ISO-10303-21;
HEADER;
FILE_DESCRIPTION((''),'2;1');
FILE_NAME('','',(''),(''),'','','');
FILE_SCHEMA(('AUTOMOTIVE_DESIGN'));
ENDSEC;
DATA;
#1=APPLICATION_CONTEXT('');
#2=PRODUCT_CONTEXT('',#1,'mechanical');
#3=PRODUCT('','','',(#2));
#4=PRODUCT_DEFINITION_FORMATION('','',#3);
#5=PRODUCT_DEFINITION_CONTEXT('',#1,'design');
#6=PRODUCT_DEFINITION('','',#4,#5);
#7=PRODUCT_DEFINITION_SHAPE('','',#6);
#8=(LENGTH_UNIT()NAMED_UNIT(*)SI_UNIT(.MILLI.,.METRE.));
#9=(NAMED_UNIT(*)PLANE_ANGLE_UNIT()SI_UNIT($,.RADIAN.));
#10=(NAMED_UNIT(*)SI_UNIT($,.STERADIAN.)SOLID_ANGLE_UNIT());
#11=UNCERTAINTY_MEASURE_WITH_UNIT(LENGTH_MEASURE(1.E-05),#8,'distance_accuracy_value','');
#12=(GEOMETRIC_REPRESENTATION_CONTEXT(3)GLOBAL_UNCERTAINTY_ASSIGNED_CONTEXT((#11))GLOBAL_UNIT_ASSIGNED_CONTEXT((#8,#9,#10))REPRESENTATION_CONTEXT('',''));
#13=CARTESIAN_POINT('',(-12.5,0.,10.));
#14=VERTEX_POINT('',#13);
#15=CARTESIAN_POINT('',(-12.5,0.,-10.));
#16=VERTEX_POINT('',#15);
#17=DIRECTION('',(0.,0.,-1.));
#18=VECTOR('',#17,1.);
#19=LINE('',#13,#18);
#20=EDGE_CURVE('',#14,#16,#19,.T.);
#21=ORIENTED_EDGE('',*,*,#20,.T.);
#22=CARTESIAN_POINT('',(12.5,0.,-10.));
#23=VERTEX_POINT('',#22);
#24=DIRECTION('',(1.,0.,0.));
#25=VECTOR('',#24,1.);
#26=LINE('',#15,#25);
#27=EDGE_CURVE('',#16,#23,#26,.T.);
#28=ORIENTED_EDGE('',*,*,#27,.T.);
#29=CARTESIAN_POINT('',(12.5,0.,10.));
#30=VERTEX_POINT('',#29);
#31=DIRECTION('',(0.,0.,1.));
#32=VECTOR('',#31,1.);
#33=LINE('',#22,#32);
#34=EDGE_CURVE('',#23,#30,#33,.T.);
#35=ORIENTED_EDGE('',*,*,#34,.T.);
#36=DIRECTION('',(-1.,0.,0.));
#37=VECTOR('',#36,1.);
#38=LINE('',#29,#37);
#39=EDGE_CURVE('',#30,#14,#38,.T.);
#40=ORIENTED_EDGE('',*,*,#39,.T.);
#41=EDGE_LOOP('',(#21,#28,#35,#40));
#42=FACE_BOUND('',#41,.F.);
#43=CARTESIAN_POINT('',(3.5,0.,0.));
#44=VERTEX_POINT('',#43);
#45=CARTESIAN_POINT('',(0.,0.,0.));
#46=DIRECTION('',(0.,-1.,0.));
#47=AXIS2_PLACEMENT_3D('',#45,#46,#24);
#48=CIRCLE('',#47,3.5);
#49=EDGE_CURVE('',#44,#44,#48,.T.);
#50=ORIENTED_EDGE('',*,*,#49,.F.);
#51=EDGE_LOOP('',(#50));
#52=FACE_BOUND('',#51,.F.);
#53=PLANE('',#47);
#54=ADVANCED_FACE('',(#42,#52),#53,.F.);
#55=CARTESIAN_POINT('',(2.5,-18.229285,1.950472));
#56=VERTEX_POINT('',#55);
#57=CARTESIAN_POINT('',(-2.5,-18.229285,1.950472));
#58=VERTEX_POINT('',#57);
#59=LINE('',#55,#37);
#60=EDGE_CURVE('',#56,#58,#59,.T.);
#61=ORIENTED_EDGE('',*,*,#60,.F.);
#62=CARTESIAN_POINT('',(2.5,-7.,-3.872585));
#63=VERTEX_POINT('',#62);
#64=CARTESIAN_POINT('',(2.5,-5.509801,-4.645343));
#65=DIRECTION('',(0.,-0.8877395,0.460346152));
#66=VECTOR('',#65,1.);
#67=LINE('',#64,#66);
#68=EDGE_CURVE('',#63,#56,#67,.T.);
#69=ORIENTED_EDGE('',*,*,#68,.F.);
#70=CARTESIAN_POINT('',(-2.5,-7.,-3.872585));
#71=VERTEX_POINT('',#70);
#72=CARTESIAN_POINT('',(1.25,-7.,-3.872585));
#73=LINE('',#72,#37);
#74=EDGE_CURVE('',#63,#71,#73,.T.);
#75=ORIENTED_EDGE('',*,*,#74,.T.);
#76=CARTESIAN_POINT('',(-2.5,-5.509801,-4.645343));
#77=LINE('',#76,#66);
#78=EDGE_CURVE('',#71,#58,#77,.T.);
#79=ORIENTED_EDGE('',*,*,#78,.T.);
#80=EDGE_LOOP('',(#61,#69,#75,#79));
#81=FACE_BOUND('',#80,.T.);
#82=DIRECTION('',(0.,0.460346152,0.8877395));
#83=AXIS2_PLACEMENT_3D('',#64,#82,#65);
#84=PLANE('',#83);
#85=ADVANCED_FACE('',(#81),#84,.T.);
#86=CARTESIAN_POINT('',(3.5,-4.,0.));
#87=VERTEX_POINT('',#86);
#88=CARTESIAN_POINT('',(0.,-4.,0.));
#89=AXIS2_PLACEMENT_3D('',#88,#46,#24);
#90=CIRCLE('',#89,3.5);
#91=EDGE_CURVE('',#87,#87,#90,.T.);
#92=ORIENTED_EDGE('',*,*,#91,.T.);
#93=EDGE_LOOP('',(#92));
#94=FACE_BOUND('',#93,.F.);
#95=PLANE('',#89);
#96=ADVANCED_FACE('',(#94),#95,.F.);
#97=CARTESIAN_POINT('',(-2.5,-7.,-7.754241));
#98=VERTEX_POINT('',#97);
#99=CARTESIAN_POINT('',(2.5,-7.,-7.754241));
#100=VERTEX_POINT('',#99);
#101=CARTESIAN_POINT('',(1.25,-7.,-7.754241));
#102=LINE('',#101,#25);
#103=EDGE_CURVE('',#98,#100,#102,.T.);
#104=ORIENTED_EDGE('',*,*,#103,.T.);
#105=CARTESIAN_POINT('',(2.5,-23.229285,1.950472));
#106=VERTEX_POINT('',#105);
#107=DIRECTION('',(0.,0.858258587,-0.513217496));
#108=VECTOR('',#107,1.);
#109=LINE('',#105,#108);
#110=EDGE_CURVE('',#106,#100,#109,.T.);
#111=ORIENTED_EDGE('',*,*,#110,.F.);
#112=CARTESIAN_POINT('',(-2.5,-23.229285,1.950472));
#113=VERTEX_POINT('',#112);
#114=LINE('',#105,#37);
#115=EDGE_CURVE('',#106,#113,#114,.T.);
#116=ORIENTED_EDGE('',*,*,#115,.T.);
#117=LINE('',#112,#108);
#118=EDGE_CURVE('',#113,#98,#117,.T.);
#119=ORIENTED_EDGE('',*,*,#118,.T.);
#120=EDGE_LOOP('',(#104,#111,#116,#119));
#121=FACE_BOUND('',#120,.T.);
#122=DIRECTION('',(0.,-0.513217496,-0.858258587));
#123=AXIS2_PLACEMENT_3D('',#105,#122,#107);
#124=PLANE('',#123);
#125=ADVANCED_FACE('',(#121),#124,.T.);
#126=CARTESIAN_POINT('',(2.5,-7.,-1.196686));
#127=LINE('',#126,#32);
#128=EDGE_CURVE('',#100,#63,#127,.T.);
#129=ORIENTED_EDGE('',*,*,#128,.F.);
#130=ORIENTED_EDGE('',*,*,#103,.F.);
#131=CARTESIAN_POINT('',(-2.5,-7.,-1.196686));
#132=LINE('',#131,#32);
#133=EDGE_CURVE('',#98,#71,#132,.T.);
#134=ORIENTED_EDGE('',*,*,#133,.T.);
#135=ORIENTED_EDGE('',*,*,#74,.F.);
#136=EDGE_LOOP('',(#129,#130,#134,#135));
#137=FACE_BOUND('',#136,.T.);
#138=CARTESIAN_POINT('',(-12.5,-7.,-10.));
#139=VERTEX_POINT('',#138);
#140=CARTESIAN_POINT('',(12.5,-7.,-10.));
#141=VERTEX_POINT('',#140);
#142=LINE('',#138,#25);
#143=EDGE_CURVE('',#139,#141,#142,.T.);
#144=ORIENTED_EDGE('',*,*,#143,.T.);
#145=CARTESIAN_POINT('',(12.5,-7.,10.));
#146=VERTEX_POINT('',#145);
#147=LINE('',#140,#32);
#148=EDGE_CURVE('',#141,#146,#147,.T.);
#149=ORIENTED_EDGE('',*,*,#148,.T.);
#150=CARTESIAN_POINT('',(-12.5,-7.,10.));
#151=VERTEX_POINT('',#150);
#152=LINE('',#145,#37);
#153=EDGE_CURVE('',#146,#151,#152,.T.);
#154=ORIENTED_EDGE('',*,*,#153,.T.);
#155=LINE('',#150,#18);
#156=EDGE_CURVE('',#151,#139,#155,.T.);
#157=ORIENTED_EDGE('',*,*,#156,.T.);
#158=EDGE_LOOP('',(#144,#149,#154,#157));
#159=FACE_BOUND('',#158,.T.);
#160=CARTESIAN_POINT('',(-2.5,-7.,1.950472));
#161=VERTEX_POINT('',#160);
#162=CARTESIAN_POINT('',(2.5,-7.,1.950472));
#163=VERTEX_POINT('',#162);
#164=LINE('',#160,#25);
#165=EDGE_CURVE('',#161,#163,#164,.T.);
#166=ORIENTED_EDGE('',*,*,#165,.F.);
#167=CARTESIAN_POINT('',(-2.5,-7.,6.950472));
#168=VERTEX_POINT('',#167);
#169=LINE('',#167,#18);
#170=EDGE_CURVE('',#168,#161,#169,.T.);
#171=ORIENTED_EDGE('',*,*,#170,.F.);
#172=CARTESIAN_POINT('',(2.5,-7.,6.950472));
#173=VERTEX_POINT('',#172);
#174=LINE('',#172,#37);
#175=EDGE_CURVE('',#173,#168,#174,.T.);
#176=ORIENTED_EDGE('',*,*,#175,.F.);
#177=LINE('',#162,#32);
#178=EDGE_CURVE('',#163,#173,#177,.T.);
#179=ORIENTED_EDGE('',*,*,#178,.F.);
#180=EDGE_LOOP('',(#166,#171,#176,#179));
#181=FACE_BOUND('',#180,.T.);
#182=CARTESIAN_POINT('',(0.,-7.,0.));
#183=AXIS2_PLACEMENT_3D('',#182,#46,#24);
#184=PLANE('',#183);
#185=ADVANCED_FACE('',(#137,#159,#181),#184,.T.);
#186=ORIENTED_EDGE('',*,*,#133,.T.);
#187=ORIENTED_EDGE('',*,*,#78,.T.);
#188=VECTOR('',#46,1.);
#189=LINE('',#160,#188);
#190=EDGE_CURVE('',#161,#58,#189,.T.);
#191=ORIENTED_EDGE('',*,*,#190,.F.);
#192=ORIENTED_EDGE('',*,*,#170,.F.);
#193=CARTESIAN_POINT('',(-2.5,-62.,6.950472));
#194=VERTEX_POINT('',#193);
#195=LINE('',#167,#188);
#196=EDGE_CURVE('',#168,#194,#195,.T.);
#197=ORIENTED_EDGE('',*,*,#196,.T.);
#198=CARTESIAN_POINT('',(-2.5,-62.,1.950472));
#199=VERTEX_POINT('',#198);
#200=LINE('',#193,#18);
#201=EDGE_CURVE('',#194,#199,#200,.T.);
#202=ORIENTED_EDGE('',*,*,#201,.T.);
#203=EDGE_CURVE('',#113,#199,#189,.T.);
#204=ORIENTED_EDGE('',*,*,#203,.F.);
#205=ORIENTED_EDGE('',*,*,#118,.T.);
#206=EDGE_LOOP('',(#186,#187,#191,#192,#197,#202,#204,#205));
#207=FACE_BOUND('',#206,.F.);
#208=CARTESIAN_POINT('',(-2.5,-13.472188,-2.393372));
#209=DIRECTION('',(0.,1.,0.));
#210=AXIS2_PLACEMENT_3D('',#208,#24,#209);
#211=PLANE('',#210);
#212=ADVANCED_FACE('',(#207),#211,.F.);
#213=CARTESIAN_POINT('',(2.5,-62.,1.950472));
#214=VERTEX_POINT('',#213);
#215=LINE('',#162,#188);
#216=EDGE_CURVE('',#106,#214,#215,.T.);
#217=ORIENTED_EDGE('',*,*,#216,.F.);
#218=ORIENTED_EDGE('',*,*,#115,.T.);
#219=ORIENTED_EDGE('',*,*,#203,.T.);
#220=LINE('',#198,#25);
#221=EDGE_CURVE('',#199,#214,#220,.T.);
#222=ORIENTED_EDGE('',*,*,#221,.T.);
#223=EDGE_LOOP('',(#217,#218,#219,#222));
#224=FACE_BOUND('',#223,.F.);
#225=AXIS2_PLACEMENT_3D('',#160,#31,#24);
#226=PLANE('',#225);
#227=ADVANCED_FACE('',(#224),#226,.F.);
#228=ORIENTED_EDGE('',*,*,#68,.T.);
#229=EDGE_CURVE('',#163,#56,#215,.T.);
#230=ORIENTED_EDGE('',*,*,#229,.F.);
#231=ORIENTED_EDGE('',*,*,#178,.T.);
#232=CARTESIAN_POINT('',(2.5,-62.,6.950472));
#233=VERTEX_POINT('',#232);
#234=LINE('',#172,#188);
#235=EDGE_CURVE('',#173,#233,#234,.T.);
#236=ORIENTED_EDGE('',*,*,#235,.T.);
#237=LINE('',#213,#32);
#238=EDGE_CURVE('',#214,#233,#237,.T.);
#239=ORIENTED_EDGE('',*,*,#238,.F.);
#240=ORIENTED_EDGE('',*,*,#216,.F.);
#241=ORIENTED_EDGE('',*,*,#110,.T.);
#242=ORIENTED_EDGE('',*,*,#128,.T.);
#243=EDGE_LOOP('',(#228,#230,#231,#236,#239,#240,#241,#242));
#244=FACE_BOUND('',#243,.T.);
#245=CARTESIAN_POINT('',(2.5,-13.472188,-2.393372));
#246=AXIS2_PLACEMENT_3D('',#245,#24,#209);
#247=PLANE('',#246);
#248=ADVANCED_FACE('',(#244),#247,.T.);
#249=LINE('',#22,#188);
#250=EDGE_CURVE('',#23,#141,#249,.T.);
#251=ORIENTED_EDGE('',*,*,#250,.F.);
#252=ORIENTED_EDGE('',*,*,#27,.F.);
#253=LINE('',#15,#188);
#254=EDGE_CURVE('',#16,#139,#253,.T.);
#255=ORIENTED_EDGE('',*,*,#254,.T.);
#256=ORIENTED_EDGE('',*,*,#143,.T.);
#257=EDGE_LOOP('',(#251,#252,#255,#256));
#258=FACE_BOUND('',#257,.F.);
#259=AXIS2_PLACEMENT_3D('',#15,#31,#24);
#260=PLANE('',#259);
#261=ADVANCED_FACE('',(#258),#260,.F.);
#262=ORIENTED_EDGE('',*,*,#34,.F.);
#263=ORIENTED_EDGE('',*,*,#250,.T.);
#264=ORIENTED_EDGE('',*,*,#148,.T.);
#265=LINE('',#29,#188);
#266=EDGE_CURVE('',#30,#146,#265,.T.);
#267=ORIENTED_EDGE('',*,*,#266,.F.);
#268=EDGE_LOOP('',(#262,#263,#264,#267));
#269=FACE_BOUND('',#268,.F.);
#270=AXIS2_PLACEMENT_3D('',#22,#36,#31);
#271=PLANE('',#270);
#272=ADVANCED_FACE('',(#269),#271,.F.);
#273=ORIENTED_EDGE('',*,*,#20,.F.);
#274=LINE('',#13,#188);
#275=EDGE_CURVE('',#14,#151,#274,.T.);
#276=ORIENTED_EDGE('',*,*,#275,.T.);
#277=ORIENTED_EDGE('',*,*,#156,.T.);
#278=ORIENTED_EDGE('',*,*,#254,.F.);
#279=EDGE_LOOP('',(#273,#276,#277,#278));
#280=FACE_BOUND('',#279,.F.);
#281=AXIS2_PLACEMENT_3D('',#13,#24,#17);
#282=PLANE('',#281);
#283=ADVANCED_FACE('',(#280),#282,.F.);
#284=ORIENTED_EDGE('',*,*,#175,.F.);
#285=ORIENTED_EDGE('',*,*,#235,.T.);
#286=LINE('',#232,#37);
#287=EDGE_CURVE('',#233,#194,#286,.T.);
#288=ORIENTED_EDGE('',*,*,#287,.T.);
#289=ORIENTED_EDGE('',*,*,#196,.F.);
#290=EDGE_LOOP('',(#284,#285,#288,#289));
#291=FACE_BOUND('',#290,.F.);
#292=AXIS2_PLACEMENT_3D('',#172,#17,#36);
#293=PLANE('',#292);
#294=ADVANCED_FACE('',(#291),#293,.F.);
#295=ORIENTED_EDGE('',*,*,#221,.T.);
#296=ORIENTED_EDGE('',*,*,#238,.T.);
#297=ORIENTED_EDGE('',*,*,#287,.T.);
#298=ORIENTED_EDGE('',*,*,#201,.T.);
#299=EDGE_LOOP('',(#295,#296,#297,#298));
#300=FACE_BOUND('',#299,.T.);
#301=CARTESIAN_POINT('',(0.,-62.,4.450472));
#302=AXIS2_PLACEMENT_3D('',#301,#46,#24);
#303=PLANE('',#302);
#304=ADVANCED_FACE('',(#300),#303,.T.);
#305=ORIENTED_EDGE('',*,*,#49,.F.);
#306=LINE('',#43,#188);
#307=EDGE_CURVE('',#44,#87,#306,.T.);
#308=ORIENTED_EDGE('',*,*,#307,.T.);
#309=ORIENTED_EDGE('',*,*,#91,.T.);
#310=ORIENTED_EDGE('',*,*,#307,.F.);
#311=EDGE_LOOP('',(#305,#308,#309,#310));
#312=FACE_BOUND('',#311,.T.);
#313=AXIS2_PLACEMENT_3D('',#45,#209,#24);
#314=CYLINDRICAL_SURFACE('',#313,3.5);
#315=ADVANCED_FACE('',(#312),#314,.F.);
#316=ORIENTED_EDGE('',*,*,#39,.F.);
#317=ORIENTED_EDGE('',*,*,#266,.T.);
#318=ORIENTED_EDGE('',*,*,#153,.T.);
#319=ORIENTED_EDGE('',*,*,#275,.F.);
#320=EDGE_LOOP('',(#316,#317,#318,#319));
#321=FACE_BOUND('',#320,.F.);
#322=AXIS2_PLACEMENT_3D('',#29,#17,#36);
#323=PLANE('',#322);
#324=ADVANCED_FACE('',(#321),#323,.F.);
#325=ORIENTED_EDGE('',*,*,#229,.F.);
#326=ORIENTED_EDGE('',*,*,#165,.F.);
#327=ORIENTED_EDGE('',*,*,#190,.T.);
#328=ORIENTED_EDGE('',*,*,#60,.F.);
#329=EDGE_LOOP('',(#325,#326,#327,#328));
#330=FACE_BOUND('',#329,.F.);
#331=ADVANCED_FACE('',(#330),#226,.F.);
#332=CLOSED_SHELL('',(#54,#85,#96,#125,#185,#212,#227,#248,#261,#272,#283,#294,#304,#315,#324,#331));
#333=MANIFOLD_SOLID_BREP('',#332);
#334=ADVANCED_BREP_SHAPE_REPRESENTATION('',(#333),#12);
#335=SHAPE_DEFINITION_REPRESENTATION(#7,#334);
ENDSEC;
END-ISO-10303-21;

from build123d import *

# Parameters (mm, degrees)
F1_DEPTH = 7
F2_R     = 3.5
F3_DEPTH = 4
F5_DEPTH = 55
F7_DEPTH = 5


with BuildPart() as f1:
    # F0 (on Front) → F1 (new body)
    with BuildSketch(Plane.XZ):
        Polygon((12.5, 10), (0, 10), (-12.5, 10), (-12.5, 0.040646), (-12.5, -10), (12.5, -10), align=None)
    extrude(amount=F1_DEPTH)

    # F2 (on Front) → F3 (cut)
    with BuildSketch(Plane.XZ):
        Circle(F2_R)
    extrude(amount=F3_DEPTH, mode=Mode.SUBTRACT)

    # F4 (on face) → F5 (join)
    with BuildSketch(Plane.XZ.offset(7)):
        Polygon((2.5, 6.950472), (0, 6.950472), (-2.5, 6.950472), (-2.5, 1.950472), (2.5, 1.950472), align=None)
    extrude(amount=F5_DEPTH)

    # F6 (on face) → F7 (join)
    with BuildSketch(Plane.YZ.offset(2.5)):
        Polygon((-5.509801, -4.645343), (-18.229285, 1.950472), (-23.229285, 1.950472), (-5.509801, -8.645343), align=None)
    extrude(amount=-F7_DEPTH)


solid = f1.part
